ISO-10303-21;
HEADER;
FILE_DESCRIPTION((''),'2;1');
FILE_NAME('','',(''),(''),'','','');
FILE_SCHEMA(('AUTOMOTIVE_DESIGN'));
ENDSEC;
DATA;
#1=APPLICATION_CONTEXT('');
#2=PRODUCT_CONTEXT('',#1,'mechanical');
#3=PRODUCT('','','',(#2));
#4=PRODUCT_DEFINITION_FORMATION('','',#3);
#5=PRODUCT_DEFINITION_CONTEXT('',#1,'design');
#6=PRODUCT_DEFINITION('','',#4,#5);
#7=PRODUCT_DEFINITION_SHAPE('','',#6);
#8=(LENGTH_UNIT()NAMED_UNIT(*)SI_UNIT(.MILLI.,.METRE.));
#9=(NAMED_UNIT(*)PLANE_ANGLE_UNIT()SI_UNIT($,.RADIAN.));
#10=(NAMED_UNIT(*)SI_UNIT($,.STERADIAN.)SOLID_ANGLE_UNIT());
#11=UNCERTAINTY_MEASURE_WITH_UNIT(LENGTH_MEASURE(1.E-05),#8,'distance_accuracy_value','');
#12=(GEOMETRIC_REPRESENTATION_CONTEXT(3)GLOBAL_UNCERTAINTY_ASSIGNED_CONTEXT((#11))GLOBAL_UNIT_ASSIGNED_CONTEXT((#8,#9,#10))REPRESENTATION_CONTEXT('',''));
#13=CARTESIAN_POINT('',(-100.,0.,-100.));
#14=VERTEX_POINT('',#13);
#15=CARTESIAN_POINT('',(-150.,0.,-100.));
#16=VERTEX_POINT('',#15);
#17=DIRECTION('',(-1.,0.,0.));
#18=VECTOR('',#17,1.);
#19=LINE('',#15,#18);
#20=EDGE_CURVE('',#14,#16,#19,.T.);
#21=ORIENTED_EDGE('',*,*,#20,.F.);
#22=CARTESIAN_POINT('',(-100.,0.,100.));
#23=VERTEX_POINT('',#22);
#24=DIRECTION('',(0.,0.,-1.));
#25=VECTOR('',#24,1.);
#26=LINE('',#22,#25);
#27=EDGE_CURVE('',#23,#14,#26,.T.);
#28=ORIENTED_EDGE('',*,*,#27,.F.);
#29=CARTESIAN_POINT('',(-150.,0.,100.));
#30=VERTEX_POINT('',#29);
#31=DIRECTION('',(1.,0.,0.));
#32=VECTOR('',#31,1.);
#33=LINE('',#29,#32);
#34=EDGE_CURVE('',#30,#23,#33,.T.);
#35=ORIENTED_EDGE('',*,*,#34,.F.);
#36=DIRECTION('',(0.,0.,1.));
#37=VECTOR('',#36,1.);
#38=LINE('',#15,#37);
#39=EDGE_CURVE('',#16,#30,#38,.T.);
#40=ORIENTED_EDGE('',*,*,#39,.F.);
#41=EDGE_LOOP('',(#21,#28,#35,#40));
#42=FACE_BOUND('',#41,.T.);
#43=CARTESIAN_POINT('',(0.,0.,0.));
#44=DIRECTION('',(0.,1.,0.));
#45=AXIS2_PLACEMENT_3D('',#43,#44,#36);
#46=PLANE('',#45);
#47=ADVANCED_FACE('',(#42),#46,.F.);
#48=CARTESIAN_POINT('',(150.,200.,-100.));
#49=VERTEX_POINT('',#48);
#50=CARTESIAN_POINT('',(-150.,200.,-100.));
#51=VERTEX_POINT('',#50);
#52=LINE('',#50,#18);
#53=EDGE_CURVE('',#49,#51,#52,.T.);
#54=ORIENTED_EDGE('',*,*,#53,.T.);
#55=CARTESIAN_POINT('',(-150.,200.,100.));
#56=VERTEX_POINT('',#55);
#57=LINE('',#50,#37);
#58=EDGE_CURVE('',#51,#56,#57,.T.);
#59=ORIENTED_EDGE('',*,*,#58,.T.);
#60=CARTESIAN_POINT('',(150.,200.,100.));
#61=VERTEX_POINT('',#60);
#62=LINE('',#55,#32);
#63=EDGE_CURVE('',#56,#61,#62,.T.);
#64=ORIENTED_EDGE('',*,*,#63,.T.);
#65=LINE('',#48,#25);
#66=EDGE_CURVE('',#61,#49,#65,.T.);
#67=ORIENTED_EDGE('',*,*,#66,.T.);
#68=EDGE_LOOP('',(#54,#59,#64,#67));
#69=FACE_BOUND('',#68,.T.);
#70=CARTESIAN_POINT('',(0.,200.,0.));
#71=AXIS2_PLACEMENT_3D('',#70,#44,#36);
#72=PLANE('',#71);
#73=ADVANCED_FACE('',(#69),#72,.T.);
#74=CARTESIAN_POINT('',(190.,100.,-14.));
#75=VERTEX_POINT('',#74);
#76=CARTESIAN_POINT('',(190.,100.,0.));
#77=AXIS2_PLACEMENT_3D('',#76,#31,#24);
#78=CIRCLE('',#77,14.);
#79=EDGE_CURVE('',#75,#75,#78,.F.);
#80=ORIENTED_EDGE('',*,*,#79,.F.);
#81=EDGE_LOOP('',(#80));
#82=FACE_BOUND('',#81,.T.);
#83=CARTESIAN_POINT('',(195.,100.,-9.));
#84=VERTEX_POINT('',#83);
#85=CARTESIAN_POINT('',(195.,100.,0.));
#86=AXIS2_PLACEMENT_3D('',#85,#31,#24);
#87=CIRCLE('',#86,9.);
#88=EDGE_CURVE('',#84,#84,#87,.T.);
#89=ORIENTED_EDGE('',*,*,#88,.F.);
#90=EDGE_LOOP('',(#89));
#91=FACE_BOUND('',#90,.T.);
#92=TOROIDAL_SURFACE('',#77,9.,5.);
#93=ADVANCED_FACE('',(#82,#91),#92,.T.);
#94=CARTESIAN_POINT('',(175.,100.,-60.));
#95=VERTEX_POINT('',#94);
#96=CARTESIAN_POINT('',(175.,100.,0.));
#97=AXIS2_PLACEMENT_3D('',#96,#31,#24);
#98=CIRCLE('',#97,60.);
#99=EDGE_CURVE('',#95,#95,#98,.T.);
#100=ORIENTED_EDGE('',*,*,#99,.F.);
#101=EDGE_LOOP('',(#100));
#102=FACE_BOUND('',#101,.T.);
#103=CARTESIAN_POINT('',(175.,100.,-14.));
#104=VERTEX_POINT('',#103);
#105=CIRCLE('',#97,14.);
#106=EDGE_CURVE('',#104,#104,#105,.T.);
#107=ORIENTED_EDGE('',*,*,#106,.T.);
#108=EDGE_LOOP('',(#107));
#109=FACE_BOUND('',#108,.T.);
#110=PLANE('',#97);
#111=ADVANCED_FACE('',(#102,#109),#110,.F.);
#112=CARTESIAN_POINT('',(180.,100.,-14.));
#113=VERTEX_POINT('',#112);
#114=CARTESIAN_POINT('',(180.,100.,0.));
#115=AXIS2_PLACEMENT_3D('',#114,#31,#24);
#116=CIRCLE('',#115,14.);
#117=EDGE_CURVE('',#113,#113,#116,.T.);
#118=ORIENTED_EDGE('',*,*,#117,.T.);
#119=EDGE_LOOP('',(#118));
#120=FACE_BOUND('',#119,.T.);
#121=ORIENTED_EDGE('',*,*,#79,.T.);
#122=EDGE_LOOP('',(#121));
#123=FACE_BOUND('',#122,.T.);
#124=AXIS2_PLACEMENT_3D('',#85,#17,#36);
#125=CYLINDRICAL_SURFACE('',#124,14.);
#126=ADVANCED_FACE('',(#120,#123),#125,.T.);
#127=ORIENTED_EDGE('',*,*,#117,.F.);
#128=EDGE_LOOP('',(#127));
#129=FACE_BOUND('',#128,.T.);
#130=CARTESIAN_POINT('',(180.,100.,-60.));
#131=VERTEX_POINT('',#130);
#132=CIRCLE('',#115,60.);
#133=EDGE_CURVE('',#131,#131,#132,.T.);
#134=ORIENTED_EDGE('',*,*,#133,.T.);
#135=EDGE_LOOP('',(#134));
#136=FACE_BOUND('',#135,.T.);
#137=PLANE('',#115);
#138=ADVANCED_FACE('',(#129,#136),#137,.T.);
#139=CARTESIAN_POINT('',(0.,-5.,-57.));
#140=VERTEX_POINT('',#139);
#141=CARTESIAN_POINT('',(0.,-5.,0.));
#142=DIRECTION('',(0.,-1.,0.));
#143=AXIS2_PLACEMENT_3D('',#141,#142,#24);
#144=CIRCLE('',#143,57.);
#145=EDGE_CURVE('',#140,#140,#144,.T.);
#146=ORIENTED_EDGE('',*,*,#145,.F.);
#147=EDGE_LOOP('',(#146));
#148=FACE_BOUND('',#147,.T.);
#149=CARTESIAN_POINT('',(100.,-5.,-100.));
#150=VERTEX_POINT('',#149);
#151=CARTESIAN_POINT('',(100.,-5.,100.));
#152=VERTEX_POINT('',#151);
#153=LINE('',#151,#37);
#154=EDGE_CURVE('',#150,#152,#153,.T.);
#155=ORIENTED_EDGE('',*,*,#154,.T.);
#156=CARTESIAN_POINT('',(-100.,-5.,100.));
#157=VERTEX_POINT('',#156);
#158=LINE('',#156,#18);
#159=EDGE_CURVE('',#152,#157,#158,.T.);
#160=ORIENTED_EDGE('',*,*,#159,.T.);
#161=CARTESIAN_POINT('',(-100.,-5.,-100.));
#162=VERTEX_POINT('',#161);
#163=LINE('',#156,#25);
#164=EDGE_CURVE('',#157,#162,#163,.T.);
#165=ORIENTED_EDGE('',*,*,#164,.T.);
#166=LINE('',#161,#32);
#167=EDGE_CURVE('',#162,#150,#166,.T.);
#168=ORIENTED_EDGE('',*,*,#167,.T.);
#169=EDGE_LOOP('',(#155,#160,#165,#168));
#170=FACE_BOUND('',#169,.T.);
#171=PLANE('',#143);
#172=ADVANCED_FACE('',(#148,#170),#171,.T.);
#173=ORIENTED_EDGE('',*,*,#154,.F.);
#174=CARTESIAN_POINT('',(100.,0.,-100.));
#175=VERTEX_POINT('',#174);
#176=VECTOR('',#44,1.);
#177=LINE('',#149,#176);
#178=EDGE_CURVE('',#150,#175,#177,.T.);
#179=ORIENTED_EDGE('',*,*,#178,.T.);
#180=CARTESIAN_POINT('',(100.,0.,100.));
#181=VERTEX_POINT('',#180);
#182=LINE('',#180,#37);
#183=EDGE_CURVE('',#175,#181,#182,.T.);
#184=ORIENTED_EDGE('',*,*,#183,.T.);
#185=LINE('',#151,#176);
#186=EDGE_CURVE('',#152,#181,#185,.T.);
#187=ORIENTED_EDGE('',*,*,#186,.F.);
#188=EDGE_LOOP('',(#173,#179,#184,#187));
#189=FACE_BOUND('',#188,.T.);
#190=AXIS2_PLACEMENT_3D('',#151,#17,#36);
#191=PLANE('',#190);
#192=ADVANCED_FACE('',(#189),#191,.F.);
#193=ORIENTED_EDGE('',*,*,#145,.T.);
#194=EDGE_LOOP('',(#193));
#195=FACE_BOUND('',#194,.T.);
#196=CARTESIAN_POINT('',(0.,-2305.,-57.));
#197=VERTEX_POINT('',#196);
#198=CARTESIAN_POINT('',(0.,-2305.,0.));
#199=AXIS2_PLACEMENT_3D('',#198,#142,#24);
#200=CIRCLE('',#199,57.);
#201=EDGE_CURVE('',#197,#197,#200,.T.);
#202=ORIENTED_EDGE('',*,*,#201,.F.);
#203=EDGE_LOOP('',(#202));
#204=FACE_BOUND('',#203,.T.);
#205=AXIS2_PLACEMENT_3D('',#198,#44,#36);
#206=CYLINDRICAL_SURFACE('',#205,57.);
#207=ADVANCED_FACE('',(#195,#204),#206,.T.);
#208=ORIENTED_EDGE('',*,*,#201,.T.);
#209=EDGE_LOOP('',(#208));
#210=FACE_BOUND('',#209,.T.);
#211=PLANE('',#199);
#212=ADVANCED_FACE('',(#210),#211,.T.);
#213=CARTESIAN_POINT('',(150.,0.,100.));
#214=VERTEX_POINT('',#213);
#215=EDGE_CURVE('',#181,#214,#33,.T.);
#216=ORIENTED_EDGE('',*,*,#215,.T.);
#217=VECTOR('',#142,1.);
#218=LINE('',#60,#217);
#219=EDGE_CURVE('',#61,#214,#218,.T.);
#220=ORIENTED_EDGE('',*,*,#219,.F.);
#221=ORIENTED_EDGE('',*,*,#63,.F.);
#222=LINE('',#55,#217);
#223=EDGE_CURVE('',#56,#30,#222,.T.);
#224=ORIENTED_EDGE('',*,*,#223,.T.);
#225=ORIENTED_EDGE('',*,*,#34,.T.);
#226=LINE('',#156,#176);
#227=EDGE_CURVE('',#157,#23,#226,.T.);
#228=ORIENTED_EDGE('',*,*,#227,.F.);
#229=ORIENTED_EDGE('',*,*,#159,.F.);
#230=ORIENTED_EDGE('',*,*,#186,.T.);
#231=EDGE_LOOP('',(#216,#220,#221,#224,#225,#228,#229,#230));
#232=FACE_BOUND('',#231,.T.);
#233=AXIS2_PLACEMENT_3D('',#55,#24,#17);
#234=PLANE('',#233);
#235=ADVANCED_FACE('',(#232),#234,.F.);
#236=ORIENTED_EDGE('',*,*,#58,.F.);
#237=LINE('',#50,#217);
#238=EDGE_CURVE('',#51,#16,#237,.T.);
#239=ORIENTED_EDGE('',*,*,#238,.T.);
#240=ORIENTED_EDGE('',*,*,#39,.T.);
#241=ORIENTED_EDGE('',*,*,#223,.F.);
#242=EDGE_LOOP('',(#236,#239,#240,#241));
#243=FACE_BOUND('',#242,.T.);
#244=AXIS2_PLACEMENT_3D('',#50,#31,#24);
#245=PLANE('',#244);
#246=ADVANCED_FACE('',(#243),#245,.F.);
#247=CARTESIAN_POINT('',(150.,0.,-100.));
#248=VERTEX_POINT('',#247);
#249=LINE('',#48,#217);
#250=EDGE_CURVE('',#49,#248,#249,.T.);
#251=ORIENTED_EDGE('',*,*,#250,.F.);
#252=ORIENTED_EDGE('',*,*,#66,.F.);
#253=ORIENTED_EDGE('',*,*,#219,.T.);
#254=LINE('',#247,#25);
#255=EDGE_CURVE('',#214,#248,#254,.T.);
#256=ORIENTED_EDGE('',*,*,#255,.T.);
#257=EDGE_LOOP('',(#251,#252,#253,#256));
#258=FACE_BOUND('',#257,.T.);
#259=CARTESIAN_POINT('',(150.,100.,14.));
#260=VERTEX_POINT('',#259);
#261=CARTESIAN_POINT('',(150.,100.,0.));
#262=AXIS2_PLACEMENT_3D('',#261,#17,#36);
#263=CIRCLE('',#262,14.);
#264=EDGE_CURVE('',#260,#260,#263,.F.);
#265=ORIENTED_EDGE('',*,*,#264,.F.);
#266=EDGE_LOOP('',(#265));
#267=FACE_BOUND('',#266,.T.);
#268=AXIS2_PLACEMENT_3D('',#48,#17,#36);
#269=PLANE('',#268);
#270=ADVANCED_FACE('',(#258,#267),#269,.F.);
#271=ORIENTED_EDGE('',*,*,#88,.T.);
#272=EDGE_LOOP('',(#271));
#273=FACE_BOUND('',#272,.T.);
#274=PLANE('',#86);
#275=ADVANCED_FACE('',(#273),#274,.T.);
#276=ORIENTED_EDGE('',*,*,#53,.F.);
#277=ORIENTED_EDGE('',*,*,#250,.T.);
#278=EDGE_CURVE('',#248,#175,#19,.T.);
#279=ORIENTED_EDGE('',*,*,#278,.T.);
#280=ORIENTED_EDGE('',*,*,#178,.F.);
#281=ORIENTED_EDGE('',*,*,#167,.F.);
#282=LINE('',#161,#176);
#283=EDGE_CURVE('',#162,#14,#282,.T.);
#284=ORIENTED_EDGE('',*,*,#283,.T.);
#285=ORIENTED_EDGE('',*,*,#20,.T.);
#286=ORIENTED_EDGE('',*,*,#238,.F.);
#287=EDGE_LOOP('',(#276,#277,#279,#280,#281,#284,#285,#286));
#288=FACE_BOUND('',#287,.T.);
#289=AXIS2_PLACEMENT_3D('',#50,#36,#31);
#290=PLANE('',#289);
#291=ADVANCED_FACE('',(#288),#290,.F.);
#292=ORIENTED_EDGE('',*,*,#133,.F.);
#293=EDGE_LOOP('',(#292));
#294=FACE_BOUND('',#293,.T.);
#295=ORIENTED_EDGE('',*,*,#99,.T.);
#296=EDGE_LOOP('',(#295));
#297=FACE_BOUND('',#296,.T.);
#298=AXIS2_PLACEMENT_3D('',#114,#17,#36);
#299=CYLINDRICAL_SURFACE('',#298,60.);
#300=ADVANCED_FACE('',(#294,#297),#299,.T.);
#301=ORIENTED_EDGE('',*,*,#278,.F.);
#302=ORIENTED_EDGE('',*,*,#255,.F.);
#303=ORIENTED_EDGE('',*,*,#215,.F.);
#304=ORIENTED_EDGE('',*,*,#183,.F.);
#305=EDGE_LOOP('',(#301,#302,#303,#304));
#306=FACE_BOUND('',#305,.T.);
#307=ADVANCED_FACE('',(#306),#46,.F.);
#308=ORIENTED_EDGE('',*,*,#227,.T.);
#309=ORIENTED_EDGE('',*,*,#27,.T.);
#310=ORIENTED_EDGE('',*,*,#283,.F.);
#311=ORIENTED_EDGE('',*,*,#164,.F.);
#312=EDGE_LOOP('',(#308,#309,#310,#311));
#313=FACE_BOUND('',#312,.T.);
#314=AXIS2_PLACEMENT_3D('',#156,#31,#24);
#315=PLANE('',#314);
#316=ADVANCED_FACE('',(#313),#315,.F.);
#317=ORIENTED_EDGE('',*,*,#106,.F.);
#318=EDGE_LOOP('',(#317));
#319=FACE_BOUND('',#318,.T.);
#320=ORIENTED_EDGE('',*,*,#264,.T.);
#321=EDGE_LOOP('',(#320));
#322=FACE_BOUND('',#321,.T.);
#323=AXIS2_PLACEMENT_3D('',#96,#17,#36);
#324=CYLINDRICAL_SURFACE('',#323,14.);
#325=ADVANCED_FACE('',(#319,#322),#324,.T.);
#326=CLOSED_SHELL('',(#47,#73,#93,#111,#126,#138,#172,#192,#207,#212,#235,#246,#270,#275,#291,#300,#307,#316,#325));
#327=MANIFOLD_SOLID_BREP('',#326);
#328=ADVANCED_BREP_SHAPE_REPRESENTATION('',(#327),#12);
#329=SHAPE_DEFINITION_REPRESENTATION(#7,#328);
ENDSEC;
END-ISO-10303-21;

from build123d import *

# Parameters (mm, degrees)
SKETCH1_W           = 300
SKETCH1_H           = 200
BOSS_EXTRUDE1_DEPTH = 200
SKETCH2_R           = 14
BOSS_EXTRUDE2_DEPTH = 25
SKETCH3_R           = 60
BOSS_EXTRUDE3_DEPTH = 5
SKETCH4_R           = 14
BOSS_EXTRUDE4_DEPTH = 15
FILLET1_R           = 5
SKETCH5_W           = 200
SKETCH5_H           = 200
BOSS_EXTRUDE5_DEPTH = 5
SKETCH6_R           = 57
BOSS_EXTRUDE6_DEPTH = 2300


with BuildPart() as part:
    # Sketch1 → Boss-Extrude1 (new body)
    with BuildSketch(Plane(origin=(0, 0, 0), x_dir=(1, 0, 0), z_dir=(0, 1, 0))):
        Rectangle(SKETCH1_W, SKETCH1_H)
    extrude(amount=BOSS_EXTRUDE1_DEPTH)

    # Sketch2 → Boss-Extrude2 (add)
    with BuildSketch(Plane(origin=(150, 0, 0), x_dir=(0, 0, -1), z_dir=(1, 0, 0))):
        with Locations((0, 100)):
            Circle(SKETCH2_R)
    extrude(amount=BOSS_EXTRUDE2_DEPTH)

    # Sketch3 → Boss-Extrude3 (add)
    with BuildSketch(Plane(origin=(175, 0, 0), x_dir=(0, 0, -1), z_dir=(1, 0, 0))):
        with Locations((0, 100)):
            Circle(SKETCH3_R)
    extrude(amount=BOSS_EXTRUDE3_DEPTH)

    # Sketch4 → Boss-Extrude4 (add)
    with BuildSketch(Plane(origin=(180, 0, 0), x_dir=(0, 0, -1), z_dir=(1, 0, 0))):
        with Locations((0, 100)):
            Circle(SKETCH4_R)
    extrude(amount=BOSS_EXTRUDE4_DEPTH)

    # Fillet1
    fillet1_edges = [part.edges().sort_by_distance(p)[0] for p in [
        (195, 100, 14),
    ]]
    fillet(fillet1_edges, radius=FILLET1_R)

    # Sketch5 → Boss-Extrude5 (add)
    with BuildSketch(Plane.XZ):
        Rectangle(SKETCH5_W, SKETCH5_H)
    extrude(amount=BOSS_EXTRUDE5_DEPTH)

    # Sketch6 → Boss-Extrude6 (add)
    with BuildSketch(Plane.XZ.offset(5)):
        Circle(SKETCH6_R)
    extrude(amount=BOSS_EXTRUDE6_DEPTH)


solid = part.part
